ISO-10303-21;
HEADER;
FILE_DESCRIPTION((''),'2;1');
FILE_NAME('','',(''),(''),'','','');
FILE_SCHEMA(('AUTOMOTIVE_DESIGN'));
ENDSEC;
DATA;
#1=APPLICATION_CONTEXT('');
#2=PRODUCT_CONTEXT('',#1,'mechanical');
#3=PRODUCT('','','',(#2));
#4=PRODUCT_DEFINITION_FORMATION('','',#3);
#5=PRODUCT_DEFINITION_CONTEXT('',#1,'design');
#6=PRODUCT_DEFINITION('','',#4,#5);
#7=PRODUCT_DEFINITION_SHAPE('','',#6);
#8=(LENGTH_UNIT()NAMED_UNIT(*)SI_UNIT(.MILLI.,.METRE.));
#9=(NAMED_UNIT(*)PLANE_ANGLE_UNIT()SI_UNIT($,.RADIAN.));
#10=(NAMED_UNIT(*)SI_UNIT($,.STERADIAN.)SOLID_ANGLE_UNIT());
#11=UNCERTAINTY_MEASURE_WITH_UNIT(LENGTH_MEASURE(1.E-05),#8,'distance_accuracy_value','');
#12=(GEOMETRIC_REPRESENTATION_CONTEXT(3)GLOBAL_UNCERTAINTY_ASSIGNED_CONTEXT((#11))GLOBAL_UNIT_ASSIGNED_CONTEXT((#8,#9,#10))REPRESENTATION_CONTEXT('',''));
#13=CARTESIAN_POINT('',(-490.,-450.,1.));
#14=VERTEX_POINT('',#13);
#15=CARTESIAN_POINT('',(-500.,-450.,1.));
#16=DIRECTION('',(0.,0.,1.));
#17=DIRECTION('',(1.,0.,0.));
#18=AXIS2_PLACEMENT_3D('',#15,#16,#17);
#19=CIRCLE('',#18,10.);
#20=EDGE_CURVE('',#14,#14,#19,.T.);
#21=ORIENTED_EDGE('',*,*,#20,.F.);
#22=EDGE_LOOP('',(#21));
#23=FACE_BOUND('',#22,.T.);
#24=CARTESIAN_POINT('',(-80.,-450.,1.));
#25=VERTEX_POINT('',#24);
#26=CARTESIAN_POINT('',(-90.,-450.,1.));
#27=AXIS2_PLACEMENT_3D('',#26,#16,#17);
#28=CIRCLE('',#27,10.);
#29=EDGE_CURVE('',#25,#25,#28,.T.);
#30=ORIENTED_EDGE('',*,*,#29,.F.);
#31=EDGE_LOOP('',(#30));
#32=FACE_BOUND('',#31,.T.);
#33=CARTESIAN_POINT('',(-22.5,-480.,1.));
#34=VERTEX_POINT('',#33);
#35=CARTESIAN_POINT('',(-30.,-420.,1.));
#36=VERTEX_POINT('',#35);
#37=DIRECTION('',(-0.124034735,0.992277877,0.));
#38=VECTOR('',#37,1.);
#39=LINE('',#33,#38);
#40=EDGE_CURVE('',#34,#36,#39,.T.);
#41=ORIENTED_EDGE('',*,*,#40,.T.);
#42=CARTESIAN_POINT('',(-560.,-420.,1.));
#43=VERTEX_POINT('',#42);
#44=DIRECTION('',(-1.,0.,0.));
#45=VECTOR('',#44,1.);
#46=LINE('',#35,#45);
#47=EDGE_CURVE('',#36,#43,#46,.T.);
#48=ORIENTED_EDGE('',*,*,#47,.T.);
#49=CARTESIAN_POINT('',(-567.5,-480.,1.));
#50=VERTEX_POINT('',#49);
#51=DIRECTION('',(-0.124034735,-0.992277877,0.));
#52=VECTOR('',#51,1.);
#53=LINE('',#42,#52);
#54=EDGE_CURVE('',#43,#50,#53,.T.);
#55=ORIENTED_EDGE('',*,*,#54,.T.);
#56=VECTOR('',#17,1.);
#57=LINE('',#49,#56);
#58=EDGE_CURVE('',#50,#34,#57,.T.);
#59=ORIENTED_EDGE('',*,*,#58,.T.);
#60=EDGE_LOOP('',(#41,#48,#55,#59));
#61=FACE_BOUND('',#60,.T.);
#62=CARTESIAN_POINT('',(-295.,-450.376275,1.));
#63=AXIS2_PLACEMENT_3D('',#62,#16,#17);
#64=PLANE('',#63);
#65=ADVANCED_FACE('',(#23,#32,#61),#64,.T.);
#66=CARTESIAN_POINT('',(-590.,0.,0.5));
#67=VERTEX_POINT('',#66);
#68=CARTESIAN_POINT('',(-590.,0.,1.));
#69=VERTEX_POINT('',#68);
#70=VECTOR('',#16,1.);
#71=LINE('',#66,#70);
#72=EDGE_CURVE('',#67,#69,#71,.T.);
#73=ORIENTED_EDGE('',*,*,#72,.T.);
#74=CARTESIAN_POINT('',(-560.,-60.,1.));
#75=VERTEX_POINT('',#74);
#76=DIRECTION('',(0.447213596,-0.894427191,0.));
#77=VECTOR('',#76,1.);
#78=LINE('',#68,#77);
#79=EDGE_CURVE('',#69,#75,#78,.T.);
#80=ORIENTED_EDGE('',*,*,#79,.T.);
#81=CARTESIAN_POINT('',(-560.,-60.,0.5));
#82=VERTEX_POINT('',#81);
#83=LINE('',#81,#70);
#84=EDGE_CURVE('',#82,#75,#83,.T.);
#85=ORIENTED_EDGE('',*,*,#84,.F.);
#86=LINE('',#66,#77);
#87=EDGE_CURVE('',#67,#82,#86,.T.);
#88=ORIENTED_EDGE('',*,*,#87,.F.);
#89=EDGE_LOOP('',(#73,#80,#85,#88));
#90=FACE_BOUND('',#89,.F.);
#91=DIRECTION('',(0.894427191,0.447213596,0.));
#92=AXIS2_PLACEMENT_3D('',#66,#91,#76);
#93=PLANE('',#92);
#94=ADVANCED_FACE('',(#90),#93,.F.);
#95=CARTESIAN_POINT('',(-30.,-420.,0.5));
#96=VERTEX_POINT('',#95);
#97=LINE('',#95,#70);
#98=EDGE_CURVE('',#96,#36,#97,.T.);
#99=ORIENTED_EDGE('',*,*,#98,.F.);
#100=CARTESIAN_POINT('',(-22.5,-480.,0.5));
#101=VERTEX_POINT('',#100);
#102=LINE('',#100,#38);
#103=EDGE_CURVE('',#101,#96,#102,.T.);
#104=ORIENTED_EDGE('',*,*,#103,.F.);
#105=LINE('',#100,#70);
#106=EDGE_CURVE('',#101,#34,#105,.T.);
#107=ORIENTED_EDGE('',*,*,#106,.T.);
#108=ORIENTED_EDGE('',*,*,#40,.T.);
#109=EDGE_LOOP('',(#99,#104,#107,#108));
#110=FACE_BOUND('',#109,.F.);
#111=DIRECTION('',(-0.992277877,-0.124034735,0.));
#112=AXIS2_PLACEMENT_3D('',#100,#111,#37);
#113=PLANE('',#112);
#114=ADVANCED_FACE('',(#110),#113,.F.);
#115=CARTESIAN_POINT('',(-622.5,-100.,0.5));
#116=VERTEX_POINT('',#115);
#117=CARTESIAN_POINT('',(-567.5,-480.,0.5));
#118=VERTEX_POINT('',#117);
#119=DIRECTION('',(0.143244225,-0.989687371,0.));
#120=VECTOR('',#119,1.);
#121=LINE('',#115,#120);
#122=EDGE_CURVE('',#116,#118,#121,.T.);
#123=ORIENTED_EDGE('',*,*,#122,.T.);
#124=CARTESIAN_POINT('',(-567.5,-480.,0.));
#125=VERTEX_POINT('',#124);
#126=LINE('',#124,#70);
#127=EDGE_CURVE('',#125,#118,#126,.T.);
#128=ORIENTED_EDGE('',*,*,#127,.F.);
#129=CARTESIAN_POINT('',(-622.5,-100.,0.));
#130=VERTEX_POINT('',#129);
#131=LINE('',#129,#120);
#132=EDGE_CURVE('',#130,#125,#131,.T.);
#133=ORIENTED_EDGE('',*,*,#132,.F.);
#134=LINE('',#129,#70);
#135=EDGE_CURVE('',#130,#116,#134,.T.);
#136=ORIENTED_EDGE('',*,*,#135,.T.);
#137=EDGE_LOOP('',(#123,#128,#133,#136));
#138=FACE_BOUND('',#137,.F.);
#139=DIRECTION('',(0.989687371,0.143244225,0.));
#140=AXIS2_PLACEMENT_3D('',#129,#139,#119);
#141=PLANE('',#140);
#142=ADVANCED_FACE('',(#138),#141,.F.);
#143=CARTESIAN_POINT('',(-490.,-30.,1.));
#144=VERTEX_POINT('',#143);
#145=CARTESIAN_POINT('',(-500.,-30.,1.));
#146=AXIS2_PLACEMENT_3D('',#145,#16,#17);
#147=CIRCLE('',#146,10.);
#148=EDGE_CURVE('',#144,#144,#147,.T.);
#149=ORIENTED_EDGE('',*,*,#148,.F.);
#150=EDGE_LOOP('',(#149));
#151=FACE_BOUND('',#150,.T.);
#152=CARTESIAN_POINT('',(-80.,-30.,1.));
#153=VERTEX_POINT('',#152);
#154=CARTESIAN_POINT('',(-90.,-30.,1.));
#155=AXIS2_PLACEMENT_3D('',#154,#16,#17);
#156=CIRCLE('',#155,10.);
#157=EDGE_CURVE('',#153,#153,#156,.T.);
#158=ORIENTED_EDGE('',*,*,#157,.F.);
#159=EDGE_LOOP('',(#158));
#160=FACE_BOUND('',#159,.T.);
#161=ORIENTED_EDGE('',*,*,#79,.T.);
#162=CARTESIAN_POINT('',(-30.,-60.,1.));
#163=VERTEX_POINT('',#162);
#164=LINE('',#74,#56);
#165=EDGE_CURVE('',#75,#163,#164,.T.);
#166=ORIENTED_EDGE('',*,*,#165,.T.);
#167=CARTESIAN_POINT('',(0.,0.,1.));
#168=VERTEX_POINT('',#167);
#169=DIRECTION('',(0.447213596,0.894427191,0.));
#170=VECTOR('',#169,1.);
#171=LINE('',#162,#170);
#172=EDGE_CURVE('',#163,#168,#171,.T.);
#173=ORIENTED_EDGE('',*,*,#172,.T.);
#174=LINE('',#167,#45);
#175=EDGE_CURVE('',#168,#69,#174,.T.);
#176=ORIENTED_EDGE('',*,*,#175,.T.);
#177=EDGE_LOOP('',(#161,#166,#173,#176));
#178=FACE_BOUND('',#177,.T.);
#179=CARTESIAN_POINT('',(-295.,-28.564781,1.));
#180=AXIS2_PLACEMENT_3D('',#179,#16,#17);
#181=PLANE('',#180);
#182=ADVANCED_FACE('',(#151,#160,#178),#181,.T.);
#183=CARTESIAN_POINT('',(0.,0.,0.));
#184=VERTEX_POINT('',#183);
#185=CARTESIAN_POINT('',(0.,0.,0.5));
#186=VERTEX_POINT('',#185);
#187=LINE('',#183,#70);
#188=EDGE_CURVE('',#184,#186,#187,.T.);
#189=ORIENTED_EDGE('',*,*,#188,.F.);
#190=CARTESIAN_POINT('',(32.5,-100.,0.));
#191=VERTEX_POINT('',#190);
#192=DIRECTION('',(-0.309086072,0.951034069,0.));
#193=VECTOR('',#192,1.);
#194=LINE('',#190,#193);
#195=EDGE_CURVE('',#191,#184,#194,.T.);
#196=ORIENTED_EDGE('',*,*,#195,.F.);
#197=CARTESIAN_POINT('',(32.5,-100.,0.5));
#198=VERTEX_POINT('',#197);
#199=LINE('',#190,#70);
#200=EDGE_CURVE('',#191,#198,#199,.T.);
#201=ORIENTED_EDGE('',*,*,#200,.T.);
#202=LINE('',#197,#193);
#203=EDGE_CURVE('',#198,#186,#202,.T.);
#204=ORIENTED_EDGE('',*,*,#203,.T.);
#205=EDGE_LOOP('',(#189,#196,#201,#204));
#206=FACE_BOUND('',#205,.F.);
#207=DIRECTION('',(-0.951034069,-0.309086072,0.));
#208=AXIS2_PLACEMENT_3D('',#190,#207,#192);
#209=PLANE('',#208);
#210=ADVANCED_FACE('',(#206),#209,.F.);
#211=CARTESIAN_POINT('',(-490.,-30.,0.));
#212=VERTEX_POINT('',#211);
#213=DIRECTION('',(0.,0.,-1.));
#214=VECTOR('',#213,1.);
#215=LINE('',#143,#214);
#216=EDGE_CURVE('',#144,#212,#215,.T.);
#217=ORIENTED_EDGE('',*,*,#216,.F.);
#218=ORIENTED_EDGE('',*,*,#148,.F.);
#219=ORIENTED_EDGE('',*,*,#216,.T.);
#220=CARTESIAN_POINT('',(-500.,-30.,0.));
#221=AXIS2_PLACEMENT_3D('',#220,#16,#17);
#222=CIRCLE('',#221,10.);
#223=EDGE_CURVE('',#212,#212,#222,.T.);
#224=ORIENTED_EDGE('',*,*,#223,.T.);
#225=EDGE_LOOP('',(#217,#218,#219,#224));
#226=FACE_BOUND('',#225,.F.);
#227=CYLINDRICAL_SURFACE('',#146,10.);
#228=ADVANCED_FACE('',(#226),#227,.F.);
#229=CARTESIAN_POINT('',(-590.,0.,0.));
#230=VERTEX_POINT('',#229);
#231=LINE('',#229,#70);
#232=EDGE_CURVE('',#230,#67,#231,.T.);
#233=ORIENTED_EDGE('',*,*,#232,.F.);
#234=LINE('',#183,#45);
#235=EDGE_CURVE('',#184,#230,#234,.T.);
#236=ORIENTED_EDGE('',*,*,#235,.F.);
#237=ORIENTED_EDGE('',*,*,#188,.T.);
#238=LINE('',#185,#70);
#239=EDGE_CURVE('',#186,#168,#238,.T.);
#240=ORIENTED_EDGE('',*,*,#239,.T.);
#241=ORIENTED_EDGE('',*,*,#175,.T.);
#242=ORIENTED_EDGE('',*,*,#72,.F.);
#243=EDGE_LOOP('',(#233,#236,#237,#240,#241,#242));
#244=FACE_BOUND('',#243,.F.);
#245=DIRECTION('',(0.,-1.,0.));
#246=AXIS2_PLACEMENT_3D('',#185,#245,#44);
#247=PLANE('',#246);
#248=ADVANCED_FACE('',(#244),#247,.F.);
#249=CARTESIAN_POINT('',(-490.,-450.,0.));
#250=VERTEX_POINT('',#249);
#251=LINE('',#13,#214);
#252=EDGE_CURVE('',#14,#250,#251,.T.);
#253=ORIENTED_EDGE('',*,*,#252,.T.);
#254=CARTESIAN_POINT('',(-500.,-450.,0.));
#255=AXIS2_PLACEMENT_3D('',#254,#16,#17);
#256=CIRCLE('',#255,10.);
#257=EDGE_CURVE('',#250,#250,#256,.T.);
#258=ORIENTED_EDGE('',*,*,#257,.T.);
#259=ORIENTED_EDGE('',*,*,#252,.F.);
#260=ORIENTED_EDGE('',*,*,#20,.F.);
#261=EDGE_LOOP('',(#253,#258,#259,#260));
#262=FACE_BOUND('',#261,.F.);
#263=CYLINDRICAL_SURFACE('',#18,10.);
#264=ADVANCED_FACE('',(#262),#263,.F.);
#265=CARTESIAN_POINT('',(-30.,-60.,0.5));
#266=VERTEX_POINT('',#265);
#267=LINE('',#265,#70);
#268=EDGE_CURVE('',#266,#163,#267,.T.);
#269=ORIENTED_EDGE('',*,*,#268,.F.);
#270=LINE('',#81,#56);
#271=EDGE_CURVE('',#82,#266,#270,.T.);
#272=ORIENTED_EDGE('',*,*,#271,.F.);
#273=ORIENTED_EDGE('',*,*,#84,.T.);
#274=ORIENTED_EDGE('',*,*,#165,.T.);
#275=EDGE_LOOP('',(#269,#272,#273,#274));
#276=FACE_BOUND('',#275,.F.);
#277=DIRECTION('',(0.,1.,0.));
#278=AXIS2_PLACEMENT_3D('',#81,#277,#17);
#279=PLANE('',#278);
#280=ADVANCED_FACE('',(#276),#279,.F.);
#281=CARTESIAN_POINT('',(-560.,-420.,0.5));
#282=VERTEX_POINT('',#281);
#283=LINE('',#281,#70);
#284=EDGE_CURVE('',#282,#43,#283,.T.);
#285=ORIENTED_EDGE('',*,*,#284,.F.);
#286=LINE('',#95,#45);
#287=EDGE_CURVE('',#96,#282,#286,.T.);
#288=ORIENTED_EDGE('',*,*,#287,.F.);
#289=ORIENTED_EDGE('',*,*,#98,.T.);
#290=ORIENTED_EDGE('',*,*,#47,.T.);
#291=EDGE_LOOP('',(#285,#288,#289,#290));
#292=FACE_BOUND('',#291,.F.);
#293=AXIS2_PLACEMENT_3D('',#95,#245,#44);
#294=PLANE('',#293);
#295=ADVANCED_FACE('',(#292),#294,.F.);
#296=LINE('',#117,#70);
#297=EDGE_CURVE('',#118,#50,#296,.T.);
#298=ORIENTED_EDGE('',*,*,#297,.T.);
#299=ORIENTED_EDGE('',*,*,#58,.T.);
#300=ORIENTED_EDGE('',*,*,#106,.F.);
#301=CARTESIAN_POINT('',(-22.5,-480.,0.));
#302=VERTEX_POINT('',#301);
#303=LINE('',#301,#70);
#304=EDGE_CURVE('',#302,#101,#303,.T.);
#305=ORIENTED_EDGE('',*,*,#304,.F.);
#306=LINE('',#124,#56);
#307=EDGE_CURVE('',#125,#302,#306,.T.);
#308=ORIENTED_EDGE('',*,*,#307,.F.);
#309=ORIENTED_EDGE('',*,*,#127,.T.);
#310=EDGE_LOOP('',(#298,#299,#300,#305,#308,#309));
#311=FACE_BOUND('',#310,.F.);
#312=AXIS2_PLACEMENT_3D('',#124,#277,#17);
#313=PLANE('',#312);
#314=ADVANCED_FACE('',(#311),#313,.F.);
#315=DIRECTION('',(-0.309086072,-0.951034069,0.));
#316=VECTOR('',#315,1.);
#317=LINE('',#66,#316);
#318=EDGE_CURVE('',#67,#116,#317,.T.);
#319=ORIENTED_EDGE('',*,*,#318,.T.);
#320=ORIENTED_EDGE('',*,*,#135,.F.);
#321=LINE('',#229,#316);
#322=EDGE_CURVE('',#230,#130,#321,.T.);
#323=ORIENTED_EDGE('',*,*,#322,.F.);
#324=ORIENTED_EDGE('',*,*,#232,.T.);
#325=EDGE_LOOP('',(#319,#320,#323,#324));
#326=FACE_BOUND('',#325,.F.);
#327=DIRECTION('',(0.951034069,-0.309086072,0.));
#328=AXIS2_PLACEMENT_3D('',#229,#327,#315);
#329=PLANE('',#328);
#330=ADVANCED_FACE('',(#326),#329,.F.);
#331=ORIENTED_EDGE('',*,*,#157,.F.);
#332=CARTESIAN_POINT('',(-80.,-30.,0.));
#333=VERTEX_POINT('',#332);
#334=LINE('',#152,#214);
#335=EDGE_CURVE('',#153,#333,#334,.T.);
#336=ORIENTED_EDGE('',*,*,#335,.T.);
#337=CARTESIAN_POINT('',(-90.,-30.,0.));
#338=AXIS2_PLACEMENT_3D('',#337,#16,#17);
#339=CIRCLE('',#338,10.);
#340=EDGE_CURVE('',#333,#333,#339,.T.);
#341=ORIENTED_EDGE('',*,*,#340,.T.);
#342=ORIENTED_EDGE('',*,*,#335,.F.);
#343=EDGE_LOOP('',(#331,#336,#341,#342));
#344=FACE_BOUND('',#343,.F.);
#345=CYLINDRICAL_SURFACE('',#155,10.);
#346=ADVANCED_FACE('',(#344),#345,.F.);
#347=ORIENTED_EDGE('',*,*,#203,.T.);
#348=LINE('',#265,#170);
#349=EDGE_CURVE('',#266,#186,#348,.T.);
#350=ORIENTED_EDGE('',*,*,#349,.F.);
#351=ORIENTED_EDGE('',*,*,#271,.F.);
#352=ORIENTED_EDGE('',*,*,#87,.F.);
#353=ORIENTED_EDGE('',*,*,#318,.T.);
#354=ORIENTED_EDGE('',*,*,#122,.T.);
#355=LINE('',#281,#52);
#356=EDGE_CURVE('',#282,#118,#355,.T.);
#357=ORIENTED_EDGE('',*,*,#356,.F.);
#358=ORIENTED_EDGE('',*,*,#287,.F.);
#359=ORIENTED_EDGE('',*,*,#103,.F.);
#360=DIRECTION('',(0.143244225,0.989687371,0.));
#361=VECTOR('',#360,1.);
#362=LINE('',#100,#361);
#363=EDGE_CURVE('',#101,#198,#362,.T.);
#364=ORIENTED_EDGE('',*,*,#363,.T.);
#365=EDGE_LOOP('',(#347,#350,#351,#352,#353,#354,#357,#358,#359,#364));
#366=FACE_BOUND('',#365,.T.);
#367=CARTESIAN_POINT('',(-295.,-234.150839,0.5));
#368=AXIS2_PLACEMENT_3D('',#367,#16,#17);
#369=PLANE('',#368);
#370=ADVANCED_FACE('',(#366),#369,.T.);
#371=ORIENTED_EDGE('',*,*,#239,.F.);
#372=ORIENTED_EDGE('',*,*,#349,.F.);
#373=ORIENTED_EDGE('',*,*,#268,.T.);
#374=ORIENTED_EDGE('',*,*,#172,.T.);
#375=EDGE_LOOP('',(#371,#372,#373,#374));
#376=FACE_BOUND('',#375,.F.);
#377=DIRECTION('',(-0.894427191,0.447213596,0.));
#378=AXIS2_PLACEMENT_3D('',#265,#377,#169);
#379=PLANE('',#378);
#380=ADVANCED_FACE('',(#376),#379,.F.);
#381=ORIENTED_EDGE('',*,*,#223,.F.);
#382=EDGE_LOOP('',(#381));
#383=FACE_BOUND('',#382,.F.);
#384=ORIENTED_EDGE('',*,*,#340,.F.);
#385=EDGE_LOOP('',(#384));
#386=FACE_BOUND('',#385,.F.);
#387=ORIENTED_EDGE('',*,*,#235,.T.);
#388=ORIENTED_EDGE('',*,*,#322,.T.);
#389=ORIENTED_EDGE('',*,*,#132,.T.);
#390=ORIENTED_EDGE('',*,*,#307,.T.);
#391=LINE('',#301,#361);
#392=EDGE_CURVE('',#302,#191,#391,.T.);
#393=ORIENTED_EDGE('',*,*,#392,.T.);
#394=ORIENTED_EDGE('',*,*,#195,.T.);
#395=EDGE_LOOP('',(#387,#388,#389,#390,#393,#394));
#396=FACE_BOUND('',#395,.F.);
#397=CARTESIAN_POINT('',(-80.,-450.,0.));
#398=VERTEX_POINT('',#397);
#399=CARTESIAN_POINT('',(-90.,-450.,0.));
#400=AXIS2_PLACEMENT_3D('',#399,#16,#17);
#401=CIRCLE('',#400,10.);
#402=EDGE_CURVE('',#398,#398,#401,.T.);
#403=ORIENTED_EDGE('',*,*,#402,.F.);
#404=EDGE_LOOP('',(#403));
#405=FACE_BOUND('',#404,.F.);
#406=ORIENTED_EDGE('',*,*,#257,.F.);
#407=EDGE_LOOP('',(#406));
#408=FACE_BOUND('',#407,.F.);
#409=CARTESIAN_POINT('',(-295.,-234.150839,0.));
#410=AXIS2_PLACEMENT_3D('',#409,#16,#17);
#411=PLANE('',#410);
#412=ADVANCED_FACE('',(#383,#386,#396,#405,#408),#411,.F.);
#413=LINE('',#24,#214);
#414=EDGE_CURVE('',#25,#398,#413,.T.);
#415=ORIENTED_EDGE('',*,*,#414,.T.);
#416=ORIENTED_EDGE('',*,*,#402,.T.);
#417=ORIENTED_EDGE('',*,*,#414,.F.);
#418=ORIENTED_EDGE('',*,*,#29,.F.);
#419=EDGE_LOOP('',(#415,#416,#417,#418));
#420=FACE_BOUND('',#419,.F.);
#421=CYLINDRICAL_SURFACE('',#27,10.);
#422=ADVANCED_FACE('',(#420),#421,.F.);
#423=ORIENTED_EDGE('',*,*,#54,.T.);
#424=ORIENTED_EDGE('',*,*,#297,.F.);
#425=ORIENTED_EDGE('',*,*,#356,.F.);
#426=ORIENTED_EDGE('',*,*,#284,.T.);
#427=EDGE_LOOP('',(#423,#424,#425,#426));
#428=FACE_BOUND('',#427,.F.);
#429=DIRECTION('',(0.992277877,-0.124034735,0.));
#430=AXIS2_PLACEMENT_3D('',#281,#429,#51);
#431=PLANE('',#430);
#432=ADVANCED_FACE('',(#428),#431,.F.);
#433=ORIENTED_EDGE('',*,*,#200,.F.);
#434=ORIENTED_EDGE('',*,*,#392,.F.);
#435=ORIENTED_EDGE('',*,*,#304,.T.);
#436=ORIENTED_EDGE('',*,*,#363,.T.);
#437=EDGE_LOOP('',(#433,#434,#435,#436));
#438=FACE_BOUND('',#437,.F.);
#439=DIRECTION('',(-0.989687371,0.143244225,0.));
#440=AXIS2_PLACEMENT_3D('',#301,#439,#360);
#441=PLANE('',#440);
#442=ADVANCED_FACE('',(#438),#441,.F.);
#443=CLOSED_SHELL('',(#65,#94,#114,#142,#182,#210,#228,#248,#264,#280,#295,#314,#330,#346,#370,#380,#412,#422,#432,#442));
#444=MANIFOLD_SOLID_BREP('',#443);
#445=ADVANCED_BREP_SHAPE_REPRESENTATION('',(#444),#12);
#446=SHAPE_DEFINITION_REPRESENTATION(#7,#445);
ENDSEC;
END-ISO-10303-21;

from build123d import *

# Parameters (mm, degrees)
F1_DEPTH = 0.5
F3_DEPTH = 0.5
F4_R     = 10
F5_DEPTH = 1.001


with BuildPart() as f1:
    # F0 (on Top) → F1 (new body)
    with BuildSketch(Plane.XY):
        Polygon((0, 0), (-590, 0), (-622.5, -100), (-567.5, -480), (-22.5, -480), (32.5, -100), align=None)
    extrude(amount=F1_DEPTH)

    # F2 (on face) → F3 (join)
    with BuildSketch(Plane.XY.offset(0.5)):
        Polygon((0, 0), (-590, 0), (-560, -60), (-30, -60), align=None)
        Polygon((-567.5, -480), (-22.5, -480), (-30, -420), (-560, -420), align=None)
    extrude(amount=F3_DEPTH)

    # F4 (on face) → F5 (cut, through all)
    with BuildSketch(Plane.XY.offset(1)):
        with Locations((-500, -30)):
            Circle(F4_R)
        with Locations((-500, -450)):
            Circle(F4_R)
        with Locations((-90, -30)):
            Circle(F4_R)
        with Locations((-90, -450)):
            Circle(F4_R)
    extrude(amount=-F5_DEPTH, mode=Mode.SUBTRACT)


solid = f1.part
